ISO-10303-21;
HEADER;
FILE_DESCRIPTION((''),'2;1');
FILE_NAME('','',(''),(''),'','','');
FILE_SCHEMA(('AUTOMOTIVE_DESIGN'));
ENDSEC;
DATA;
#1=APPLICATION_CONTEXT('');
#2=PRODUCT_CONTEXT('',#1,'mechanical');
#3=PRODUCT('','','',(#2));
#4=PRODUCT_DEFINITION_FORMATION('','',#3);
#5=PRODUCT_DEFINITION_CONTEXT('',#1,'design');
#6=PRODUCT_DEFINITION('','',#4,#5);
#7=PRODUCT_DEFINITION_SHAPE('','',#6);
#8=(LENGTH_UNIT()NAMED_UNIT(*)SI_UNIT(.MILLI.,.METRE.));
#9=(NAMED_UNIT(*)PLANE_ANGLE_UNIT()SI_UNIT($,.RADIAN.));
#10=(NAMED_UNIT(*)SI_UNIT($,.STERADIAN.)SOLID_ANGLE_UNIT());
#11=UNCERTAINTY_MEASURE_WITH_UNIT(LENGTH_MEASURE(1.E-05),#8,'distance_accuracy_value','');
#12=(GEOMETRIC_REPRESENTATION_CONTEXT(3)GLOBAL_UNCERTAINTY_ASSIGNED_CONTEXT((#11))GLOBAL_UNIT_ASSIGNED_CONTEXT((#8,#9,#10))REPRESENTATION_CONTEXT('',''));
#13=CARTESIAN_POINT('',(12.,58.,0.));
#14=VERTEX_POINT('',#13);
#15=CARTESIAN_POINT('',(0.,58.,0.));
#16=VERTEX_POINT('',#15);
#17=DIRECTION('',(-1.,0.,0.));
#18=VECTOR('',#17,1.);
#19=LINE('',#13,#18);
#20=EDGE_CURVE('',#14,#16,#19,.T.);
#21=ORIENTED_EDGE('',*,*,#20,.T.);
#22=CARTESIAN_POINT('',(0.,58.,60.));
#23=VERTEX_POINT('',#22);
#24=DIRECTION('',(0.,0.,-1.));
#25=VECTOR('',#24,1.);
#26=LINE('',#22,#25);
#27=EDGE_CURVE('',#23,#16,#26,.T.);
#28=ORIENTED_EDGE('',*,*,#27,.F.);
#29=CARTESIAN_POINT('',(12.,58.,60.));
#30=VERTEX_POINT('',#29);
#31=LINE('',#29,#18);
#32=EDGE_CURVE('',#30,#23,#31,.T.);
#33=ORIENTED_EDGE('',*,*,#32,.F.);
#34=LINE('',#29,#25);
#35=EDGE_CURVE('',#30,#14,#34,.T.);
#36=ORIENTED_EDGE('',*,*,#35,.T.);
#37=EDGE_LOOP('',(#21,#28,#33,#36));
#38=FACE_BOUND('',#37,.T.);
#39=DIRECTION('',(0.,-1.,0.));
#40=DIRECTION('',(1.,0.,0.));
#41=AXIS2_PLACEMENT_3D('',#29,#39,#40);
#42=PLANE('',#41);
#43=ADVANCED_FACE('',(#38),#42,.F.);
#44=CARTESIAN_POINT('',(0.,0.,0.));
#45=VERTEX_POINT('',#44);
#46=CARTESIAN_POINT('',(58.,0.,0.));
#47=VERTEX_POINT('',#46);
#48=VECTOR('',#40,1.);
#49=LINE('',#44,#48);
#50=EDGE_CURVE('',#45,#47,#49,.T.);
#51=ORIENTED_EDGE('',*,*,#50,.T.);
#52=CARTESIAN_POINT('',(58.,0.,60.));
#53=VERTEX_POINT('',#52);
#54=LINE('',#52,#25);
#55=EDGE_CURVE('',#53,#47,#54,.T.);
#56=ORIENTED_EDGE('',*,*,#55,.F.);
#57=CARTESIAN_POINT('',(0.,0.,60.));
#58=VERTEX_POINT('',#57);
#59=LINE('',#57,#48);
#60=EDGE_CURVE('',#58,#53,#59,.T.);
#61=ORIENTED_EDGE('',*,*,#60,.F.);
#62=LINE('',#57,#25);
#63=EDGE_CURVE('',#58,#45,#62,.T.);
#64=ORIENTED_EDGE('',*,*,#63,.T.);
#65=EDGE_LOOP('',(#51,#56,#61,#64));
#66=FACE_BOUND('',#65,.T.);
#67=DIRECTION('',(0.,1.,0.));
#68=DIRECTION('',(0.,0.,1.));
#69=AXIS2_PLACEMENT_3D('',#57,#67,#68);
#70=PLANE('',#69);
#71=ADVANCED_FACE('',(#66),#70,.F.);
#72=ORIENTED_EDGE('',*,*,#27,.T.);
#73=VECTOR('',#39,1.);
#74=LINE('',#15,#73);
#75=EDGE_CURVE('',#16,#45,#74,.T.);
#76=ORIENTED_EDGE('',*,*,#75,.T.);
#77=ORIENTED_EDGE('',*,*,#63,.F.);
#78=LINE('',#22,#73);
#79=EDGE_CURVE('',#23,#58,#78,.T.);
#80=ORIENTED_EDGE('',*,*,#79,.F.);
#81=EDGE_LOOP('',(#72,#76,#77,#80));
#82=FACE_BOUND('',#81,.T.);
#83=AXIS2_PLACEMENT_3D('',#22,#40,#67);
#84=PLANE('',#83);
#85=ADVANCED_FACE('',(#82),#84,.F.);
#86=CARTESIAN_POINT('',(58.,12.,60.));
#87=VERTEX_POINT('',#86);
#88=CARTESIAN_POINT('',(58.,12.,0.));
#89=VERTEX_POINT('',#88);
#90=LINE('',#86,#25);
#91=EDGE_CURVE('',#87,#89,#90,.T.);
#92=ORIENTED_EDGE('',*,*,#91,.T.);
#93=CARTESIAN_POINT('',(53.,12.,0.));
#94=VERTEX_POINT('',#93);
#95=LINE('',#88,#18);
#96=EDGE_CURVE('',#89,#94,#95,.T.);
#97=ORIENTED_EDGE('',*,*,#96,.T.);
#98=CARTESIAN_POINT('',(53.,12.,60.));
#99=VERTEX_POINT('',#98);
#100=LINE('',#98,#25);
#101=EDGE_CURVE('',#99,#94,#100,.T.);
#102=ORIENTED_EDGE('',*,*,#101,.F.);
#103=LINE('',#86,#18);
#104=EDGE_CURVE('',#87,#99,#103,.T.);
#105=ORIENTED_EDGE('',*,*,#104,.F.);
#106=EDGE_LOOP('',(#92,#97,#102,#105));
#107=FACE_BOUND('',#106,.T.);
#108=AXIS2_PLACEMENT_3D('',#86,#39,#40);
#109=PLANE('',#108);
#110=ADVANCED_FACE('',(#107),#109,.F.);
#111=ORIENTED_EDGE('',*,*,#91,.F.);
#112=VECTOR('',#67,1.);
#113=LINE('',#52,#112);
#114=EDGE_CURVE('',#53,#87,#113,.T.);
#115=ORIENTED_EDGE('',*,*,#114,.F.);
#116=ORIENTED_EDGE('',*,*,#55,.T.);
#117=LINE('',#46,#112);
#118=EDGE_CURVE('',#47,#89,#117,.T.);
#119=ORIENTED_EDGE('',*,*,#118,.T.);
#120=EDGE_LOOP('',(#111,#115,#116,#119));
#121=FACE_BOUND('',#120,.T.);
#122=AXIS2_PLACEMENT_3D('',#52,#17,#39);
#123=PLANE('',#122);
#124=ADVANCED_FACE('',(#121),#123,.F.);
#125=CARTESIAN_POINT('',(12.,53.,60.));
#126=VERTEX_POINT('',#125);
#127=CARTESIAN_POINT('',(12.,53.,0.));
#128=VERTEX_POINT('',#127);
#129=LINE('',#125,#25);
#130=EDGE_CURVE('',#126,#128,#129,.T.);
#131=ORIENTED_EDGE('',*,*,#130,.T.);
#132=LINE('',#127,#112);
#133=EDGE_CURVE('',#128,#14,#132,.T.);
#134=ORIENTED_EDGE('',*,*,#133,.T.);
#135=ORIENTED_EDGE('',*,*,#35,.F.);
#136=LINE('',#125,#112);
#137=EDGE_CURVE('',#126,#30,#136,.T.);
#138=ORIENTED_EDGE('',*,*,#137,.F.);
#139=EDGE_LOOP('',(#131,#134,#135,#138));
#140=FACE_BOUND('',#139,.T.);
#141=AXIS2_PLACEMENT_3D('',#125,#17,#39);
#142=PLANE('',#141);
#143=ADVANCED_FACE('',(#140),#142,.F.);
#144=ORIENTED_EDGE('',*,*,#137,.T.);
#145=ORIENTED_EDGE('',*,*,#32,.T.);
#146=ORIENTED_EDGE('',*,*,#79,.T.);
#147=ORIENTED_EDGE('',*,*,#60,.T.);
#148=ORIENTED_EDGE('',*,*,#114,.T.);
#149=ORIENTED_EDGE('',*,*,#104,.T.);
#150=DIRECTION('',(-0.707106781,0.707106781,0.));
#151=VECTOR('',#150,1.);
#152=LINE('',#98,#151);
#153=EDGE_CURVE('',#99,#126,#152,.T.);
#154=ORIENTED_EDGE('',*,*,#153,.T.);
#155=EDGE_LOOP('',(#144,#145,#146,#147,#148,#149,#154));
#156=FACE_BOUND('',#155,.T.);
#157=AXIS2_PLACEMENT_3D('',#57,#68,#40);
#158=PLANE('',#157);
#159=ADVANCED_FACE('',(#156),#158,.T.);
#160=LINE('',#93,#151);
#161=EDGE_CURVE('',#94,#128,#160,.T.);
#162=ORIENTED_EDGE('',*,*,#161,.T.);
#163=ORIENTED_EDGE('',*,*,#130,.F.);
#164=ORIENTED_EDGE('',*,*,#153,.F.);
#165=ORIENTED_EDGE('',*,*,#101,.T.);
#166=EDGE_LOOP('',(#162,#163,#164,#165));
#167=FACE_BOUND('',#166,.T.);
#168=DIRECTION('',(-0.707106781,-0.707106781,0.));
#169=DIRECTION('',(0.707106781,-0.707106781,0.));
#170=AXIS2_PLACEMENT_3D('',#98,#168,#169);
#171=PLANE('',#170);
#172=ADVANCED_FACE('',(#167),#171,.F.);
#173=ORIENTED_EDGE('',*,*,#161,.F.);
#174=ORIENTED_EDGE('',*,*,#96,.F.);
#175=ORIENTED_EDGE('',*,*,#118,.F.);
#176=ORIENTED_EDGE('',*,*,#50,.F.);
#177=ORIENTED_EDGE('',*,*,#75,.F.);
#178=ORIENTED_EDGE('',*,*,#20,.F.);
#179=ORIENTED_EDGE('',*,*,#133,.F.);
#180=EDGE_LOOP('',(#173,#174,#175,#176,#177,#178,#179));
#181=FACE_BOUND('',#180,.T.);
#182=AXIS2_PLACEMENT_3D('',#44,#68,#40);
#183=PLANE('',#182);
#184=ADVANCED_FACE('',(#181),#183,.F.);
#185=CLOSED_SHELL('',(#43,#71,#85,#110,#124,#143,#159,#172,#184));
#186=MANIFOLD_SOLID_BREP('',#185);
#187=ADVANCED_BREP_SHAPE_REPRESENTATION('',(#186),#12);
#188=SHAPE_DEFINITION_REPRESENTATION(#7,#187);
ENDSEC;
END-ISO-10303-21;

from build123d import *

# Parameters (mm, degrees)
EXTRUDE_1_DEPTH = 60


with BuildPart() as part:
    # 草图1 → 凸台-拉伸1 (new body)
    with BuildSketch(Plane.XY):
        Polygon((0, 58), (0, 0), (58, 0), (58, 12), (53, 12), (12, 53), (12, 58), align=None)
    extrude(amount=EXTRUDE_1_DEPTH)


solid = part.part
